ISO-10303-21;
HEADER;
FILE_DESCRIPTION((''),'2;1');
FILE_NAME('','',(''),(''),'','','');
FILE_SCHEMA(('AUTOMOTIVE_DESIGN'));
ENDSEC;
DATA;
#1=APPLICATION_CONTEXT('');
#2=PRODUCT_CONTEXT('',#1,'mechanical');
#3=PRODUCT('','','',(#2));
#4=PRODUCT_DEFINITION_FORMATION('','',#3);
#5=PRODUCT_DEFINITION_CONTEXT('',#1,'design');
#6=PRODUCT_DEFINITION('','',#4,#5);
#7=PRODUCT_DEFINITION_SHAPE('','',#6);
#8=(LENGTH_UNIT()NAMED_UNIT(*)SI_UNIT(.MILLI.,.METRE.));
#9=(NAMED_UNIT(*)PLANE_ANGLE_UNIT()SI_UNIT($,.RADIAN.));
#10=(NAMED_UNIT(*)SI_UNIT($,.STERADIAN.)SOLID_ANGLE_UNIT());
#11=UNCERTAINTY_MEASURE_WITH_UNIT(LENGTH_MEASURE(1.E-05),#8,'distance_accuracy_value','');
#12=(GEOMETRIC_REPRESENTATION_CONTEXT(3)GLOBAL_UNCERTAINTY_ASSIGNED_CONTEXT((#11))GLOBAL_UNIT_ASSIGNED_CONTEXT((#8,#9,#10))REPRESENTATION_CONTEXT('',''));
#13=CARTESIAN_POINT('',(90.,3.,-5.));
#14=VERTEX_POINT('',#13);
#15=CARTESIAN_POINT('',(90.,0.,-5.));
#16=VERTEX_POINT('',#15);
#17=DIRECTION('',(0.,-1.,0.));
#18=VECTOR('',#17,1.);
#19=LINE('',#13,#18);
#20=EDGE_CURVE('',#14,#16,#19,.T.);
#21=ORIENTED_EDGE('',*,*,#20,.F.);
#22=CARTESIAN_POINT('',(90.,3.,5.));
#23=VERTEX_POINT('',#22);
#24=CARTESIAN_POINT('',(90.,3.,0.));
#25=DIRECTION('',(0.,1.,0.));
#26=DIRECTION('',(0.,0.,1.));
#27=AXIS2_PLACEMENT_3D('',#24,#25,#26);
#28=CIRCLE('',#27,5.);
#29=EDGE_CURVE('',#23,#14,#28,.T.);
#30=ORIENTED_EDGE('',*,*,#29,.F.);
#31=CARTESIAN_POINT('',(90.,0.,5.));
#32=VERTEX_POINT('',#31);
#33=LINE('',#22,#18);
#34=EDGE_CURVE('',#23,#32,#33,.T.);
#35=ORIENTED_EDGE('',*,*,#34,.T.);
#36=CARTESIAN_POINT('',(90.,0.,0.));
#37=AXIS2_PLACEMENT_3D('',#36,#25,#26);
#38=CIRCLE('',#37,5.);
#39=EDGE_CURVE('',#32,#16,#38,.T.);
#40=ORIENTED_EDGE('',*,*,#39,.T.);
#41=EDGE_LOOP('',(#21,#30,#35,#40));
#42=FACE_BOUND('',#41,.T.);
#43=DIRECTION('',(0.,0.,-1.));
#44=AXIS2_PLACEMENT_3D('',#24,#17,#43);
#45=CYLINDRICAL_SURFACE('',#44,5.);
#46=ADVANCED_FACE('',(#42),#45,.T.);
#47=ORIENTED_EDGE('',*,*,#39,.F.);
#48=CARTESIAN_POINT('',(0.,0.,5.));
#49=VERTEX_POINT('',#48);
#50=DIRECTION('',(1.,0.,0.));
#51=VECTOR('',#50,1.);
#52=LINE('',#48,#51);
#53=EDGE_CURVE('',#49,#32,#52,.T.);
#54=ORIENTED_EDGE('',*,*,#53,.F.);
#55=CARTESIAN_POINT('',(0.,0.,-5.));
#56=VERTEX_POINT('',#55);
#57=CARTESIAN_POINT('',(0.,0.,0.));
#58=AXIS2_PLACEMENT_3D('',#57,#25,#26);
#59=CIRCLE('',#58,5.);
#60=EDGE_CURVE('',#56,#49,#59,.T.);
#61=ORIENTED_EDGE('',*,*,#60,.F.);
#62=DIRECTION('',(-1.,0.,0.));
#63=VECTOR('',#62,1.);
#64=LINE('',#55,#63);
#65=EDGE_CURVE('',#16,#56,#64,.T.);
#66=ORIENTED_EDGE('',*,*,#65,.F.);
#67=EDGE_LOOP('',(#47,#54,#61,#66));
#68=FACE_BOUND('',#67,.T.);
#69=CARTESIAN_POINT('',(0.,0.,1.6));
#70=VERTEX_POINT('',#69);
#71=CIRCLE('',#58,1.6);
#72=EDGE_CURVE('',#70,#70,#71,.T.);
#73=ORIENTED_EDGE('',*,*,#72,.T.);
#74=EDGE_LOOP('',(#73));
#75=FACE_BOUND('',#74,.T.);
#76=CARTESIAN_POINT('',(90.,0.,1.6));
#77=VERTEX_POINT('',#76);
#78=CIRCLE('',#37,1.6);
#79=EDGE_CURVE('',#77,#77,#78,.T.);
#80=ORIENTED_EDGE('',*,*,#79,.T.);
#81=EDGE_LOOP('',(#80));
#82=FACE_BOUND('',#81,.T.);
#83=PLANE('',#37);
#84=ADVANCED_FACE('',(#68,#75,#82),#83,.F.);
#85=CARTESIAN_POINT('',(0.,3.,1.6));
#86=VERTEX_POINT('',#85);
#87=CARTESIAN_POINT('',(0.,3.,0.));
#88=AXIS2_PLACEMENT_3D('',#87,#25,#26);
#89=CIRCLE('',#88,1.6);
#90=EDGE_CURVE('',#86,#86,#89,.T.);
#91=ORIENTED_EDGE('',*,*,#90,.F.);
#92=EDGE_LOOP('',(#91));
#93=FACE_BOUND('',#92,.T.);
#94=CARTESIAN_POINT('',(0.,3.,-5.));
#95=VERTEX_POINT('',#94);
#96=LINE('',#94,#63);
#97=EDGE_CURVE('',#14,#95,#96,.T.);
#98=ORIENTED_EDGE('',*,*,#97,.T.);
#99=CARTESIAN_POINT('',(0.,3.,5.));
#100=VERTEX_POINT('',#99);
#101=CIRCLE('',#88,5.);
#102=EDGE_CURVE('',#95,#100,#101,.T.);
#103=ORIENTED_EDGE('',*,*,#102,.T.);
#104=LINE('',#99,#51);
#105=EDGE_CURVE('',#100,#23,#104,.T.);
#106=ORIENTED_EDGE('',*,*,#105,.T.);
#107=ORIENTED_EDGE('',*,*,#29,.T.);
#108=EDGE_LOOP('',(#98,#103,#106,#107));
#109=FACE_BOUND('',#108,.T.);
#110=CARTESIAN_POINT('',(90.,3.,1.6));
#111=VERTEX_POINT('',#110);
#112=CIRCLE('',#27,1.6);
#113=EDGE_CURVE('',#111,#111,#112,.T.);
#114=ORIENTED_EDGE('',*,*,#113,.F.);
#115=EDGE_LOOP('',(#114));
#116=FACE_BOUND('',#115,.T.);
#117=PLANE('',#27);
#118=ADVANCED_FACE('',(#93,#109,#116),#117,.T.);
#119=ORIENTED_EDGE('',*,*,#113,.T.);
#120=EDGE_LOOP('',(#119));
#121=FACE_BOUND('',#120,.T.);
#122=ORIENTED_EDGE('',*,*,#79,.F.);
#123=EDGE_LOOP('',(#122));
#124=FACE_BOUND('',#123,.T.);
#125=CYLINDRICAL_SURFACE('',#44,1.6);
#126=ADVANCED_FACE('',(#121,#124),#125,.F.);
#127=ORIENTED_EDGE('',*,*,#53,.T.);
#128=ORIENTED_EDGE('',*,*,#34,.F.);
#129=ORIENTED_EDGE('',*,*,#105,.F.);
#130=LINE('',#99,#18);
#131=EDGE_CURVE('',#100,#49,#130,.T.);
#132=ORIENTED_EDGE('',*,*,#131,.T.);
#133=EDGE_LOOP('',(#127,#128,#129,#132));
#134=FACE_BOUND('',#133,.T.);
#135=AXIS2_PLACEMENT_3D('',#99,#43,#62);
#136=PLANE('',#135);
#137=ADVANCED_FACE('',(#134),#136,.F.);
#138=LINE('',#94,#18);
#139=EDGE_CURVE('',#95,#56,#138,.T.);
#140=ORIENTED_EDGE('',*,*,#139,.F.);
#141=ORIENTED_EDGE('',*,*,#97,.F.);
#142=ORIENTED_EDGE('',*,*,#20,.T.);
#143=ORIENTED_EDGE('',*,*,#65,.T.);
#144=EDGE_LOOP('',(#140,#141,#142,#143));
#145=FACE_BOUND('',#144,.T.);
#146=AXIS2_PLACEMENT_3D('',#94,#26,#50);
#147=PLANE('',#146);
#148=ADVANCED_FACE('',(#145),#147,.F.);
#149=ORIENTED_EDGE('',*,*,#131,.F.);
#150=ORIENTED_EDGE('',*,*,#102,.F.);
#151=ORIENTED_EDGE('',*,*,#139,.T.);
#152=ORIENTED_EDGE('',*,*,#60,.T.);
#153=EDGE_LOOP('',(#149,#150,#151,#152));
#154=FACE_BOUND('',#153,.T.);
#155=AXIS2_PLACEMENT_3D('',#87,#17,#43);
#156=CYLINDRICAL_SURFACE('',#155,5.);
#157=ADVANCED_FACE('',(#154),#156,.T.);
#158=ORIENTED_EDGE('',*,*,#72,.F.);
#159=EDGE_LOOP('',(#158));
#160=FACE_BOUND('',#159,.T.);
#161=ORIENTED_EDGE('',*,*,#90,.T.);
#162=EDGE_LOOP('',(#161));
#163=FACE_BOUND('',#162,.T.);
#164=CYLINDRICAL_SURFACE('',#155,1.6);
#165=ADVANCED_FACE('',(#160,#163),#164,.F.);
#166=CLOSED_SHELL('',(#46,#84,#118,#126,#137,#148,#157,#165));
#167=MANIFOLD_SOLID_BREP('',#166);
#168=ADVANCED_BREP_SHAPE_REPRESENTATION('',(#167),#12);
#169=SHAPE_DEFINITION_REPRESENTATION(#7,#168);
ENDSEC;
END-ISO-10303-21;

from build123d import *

# Parameters (mm, degrees)
SKETCH_1_R      = 1.6
EXTRUDE_1_DEPTH = 3


with BuildPart() as part:
    # ｽｹｯﾁ1 → ﾎﾞｽ - 押し出し1 (new body)
    with BuildSketch(Plane(origin=(0, 0, 0), x_dir=(1, 0, 0), z_dir=(0, 1, 0))):
        with BuildLine():
            Line((0, -5), (90, -5))
            ThreePointArc((90, -5), (95, 0), (90, 5))
            Line((90, 5), (0, 5))
            ThreePointArc((0, 5), (-5, 0), (0, -5))
        make_face()
        with Locations(Location((0, 0, 0), (0, 0, 270))):
            Circle(SKETCH_1_R, mode=Mode.SUBTRACT)
        with Locations(Location((90, 0, 0), (0, 0, 270))):
            Circle(SKETCH_1_R, mode=Mode.SUBTRACT)
    extrude(amount=EXTRUDE_1_DEPTH)


solid = part.part
